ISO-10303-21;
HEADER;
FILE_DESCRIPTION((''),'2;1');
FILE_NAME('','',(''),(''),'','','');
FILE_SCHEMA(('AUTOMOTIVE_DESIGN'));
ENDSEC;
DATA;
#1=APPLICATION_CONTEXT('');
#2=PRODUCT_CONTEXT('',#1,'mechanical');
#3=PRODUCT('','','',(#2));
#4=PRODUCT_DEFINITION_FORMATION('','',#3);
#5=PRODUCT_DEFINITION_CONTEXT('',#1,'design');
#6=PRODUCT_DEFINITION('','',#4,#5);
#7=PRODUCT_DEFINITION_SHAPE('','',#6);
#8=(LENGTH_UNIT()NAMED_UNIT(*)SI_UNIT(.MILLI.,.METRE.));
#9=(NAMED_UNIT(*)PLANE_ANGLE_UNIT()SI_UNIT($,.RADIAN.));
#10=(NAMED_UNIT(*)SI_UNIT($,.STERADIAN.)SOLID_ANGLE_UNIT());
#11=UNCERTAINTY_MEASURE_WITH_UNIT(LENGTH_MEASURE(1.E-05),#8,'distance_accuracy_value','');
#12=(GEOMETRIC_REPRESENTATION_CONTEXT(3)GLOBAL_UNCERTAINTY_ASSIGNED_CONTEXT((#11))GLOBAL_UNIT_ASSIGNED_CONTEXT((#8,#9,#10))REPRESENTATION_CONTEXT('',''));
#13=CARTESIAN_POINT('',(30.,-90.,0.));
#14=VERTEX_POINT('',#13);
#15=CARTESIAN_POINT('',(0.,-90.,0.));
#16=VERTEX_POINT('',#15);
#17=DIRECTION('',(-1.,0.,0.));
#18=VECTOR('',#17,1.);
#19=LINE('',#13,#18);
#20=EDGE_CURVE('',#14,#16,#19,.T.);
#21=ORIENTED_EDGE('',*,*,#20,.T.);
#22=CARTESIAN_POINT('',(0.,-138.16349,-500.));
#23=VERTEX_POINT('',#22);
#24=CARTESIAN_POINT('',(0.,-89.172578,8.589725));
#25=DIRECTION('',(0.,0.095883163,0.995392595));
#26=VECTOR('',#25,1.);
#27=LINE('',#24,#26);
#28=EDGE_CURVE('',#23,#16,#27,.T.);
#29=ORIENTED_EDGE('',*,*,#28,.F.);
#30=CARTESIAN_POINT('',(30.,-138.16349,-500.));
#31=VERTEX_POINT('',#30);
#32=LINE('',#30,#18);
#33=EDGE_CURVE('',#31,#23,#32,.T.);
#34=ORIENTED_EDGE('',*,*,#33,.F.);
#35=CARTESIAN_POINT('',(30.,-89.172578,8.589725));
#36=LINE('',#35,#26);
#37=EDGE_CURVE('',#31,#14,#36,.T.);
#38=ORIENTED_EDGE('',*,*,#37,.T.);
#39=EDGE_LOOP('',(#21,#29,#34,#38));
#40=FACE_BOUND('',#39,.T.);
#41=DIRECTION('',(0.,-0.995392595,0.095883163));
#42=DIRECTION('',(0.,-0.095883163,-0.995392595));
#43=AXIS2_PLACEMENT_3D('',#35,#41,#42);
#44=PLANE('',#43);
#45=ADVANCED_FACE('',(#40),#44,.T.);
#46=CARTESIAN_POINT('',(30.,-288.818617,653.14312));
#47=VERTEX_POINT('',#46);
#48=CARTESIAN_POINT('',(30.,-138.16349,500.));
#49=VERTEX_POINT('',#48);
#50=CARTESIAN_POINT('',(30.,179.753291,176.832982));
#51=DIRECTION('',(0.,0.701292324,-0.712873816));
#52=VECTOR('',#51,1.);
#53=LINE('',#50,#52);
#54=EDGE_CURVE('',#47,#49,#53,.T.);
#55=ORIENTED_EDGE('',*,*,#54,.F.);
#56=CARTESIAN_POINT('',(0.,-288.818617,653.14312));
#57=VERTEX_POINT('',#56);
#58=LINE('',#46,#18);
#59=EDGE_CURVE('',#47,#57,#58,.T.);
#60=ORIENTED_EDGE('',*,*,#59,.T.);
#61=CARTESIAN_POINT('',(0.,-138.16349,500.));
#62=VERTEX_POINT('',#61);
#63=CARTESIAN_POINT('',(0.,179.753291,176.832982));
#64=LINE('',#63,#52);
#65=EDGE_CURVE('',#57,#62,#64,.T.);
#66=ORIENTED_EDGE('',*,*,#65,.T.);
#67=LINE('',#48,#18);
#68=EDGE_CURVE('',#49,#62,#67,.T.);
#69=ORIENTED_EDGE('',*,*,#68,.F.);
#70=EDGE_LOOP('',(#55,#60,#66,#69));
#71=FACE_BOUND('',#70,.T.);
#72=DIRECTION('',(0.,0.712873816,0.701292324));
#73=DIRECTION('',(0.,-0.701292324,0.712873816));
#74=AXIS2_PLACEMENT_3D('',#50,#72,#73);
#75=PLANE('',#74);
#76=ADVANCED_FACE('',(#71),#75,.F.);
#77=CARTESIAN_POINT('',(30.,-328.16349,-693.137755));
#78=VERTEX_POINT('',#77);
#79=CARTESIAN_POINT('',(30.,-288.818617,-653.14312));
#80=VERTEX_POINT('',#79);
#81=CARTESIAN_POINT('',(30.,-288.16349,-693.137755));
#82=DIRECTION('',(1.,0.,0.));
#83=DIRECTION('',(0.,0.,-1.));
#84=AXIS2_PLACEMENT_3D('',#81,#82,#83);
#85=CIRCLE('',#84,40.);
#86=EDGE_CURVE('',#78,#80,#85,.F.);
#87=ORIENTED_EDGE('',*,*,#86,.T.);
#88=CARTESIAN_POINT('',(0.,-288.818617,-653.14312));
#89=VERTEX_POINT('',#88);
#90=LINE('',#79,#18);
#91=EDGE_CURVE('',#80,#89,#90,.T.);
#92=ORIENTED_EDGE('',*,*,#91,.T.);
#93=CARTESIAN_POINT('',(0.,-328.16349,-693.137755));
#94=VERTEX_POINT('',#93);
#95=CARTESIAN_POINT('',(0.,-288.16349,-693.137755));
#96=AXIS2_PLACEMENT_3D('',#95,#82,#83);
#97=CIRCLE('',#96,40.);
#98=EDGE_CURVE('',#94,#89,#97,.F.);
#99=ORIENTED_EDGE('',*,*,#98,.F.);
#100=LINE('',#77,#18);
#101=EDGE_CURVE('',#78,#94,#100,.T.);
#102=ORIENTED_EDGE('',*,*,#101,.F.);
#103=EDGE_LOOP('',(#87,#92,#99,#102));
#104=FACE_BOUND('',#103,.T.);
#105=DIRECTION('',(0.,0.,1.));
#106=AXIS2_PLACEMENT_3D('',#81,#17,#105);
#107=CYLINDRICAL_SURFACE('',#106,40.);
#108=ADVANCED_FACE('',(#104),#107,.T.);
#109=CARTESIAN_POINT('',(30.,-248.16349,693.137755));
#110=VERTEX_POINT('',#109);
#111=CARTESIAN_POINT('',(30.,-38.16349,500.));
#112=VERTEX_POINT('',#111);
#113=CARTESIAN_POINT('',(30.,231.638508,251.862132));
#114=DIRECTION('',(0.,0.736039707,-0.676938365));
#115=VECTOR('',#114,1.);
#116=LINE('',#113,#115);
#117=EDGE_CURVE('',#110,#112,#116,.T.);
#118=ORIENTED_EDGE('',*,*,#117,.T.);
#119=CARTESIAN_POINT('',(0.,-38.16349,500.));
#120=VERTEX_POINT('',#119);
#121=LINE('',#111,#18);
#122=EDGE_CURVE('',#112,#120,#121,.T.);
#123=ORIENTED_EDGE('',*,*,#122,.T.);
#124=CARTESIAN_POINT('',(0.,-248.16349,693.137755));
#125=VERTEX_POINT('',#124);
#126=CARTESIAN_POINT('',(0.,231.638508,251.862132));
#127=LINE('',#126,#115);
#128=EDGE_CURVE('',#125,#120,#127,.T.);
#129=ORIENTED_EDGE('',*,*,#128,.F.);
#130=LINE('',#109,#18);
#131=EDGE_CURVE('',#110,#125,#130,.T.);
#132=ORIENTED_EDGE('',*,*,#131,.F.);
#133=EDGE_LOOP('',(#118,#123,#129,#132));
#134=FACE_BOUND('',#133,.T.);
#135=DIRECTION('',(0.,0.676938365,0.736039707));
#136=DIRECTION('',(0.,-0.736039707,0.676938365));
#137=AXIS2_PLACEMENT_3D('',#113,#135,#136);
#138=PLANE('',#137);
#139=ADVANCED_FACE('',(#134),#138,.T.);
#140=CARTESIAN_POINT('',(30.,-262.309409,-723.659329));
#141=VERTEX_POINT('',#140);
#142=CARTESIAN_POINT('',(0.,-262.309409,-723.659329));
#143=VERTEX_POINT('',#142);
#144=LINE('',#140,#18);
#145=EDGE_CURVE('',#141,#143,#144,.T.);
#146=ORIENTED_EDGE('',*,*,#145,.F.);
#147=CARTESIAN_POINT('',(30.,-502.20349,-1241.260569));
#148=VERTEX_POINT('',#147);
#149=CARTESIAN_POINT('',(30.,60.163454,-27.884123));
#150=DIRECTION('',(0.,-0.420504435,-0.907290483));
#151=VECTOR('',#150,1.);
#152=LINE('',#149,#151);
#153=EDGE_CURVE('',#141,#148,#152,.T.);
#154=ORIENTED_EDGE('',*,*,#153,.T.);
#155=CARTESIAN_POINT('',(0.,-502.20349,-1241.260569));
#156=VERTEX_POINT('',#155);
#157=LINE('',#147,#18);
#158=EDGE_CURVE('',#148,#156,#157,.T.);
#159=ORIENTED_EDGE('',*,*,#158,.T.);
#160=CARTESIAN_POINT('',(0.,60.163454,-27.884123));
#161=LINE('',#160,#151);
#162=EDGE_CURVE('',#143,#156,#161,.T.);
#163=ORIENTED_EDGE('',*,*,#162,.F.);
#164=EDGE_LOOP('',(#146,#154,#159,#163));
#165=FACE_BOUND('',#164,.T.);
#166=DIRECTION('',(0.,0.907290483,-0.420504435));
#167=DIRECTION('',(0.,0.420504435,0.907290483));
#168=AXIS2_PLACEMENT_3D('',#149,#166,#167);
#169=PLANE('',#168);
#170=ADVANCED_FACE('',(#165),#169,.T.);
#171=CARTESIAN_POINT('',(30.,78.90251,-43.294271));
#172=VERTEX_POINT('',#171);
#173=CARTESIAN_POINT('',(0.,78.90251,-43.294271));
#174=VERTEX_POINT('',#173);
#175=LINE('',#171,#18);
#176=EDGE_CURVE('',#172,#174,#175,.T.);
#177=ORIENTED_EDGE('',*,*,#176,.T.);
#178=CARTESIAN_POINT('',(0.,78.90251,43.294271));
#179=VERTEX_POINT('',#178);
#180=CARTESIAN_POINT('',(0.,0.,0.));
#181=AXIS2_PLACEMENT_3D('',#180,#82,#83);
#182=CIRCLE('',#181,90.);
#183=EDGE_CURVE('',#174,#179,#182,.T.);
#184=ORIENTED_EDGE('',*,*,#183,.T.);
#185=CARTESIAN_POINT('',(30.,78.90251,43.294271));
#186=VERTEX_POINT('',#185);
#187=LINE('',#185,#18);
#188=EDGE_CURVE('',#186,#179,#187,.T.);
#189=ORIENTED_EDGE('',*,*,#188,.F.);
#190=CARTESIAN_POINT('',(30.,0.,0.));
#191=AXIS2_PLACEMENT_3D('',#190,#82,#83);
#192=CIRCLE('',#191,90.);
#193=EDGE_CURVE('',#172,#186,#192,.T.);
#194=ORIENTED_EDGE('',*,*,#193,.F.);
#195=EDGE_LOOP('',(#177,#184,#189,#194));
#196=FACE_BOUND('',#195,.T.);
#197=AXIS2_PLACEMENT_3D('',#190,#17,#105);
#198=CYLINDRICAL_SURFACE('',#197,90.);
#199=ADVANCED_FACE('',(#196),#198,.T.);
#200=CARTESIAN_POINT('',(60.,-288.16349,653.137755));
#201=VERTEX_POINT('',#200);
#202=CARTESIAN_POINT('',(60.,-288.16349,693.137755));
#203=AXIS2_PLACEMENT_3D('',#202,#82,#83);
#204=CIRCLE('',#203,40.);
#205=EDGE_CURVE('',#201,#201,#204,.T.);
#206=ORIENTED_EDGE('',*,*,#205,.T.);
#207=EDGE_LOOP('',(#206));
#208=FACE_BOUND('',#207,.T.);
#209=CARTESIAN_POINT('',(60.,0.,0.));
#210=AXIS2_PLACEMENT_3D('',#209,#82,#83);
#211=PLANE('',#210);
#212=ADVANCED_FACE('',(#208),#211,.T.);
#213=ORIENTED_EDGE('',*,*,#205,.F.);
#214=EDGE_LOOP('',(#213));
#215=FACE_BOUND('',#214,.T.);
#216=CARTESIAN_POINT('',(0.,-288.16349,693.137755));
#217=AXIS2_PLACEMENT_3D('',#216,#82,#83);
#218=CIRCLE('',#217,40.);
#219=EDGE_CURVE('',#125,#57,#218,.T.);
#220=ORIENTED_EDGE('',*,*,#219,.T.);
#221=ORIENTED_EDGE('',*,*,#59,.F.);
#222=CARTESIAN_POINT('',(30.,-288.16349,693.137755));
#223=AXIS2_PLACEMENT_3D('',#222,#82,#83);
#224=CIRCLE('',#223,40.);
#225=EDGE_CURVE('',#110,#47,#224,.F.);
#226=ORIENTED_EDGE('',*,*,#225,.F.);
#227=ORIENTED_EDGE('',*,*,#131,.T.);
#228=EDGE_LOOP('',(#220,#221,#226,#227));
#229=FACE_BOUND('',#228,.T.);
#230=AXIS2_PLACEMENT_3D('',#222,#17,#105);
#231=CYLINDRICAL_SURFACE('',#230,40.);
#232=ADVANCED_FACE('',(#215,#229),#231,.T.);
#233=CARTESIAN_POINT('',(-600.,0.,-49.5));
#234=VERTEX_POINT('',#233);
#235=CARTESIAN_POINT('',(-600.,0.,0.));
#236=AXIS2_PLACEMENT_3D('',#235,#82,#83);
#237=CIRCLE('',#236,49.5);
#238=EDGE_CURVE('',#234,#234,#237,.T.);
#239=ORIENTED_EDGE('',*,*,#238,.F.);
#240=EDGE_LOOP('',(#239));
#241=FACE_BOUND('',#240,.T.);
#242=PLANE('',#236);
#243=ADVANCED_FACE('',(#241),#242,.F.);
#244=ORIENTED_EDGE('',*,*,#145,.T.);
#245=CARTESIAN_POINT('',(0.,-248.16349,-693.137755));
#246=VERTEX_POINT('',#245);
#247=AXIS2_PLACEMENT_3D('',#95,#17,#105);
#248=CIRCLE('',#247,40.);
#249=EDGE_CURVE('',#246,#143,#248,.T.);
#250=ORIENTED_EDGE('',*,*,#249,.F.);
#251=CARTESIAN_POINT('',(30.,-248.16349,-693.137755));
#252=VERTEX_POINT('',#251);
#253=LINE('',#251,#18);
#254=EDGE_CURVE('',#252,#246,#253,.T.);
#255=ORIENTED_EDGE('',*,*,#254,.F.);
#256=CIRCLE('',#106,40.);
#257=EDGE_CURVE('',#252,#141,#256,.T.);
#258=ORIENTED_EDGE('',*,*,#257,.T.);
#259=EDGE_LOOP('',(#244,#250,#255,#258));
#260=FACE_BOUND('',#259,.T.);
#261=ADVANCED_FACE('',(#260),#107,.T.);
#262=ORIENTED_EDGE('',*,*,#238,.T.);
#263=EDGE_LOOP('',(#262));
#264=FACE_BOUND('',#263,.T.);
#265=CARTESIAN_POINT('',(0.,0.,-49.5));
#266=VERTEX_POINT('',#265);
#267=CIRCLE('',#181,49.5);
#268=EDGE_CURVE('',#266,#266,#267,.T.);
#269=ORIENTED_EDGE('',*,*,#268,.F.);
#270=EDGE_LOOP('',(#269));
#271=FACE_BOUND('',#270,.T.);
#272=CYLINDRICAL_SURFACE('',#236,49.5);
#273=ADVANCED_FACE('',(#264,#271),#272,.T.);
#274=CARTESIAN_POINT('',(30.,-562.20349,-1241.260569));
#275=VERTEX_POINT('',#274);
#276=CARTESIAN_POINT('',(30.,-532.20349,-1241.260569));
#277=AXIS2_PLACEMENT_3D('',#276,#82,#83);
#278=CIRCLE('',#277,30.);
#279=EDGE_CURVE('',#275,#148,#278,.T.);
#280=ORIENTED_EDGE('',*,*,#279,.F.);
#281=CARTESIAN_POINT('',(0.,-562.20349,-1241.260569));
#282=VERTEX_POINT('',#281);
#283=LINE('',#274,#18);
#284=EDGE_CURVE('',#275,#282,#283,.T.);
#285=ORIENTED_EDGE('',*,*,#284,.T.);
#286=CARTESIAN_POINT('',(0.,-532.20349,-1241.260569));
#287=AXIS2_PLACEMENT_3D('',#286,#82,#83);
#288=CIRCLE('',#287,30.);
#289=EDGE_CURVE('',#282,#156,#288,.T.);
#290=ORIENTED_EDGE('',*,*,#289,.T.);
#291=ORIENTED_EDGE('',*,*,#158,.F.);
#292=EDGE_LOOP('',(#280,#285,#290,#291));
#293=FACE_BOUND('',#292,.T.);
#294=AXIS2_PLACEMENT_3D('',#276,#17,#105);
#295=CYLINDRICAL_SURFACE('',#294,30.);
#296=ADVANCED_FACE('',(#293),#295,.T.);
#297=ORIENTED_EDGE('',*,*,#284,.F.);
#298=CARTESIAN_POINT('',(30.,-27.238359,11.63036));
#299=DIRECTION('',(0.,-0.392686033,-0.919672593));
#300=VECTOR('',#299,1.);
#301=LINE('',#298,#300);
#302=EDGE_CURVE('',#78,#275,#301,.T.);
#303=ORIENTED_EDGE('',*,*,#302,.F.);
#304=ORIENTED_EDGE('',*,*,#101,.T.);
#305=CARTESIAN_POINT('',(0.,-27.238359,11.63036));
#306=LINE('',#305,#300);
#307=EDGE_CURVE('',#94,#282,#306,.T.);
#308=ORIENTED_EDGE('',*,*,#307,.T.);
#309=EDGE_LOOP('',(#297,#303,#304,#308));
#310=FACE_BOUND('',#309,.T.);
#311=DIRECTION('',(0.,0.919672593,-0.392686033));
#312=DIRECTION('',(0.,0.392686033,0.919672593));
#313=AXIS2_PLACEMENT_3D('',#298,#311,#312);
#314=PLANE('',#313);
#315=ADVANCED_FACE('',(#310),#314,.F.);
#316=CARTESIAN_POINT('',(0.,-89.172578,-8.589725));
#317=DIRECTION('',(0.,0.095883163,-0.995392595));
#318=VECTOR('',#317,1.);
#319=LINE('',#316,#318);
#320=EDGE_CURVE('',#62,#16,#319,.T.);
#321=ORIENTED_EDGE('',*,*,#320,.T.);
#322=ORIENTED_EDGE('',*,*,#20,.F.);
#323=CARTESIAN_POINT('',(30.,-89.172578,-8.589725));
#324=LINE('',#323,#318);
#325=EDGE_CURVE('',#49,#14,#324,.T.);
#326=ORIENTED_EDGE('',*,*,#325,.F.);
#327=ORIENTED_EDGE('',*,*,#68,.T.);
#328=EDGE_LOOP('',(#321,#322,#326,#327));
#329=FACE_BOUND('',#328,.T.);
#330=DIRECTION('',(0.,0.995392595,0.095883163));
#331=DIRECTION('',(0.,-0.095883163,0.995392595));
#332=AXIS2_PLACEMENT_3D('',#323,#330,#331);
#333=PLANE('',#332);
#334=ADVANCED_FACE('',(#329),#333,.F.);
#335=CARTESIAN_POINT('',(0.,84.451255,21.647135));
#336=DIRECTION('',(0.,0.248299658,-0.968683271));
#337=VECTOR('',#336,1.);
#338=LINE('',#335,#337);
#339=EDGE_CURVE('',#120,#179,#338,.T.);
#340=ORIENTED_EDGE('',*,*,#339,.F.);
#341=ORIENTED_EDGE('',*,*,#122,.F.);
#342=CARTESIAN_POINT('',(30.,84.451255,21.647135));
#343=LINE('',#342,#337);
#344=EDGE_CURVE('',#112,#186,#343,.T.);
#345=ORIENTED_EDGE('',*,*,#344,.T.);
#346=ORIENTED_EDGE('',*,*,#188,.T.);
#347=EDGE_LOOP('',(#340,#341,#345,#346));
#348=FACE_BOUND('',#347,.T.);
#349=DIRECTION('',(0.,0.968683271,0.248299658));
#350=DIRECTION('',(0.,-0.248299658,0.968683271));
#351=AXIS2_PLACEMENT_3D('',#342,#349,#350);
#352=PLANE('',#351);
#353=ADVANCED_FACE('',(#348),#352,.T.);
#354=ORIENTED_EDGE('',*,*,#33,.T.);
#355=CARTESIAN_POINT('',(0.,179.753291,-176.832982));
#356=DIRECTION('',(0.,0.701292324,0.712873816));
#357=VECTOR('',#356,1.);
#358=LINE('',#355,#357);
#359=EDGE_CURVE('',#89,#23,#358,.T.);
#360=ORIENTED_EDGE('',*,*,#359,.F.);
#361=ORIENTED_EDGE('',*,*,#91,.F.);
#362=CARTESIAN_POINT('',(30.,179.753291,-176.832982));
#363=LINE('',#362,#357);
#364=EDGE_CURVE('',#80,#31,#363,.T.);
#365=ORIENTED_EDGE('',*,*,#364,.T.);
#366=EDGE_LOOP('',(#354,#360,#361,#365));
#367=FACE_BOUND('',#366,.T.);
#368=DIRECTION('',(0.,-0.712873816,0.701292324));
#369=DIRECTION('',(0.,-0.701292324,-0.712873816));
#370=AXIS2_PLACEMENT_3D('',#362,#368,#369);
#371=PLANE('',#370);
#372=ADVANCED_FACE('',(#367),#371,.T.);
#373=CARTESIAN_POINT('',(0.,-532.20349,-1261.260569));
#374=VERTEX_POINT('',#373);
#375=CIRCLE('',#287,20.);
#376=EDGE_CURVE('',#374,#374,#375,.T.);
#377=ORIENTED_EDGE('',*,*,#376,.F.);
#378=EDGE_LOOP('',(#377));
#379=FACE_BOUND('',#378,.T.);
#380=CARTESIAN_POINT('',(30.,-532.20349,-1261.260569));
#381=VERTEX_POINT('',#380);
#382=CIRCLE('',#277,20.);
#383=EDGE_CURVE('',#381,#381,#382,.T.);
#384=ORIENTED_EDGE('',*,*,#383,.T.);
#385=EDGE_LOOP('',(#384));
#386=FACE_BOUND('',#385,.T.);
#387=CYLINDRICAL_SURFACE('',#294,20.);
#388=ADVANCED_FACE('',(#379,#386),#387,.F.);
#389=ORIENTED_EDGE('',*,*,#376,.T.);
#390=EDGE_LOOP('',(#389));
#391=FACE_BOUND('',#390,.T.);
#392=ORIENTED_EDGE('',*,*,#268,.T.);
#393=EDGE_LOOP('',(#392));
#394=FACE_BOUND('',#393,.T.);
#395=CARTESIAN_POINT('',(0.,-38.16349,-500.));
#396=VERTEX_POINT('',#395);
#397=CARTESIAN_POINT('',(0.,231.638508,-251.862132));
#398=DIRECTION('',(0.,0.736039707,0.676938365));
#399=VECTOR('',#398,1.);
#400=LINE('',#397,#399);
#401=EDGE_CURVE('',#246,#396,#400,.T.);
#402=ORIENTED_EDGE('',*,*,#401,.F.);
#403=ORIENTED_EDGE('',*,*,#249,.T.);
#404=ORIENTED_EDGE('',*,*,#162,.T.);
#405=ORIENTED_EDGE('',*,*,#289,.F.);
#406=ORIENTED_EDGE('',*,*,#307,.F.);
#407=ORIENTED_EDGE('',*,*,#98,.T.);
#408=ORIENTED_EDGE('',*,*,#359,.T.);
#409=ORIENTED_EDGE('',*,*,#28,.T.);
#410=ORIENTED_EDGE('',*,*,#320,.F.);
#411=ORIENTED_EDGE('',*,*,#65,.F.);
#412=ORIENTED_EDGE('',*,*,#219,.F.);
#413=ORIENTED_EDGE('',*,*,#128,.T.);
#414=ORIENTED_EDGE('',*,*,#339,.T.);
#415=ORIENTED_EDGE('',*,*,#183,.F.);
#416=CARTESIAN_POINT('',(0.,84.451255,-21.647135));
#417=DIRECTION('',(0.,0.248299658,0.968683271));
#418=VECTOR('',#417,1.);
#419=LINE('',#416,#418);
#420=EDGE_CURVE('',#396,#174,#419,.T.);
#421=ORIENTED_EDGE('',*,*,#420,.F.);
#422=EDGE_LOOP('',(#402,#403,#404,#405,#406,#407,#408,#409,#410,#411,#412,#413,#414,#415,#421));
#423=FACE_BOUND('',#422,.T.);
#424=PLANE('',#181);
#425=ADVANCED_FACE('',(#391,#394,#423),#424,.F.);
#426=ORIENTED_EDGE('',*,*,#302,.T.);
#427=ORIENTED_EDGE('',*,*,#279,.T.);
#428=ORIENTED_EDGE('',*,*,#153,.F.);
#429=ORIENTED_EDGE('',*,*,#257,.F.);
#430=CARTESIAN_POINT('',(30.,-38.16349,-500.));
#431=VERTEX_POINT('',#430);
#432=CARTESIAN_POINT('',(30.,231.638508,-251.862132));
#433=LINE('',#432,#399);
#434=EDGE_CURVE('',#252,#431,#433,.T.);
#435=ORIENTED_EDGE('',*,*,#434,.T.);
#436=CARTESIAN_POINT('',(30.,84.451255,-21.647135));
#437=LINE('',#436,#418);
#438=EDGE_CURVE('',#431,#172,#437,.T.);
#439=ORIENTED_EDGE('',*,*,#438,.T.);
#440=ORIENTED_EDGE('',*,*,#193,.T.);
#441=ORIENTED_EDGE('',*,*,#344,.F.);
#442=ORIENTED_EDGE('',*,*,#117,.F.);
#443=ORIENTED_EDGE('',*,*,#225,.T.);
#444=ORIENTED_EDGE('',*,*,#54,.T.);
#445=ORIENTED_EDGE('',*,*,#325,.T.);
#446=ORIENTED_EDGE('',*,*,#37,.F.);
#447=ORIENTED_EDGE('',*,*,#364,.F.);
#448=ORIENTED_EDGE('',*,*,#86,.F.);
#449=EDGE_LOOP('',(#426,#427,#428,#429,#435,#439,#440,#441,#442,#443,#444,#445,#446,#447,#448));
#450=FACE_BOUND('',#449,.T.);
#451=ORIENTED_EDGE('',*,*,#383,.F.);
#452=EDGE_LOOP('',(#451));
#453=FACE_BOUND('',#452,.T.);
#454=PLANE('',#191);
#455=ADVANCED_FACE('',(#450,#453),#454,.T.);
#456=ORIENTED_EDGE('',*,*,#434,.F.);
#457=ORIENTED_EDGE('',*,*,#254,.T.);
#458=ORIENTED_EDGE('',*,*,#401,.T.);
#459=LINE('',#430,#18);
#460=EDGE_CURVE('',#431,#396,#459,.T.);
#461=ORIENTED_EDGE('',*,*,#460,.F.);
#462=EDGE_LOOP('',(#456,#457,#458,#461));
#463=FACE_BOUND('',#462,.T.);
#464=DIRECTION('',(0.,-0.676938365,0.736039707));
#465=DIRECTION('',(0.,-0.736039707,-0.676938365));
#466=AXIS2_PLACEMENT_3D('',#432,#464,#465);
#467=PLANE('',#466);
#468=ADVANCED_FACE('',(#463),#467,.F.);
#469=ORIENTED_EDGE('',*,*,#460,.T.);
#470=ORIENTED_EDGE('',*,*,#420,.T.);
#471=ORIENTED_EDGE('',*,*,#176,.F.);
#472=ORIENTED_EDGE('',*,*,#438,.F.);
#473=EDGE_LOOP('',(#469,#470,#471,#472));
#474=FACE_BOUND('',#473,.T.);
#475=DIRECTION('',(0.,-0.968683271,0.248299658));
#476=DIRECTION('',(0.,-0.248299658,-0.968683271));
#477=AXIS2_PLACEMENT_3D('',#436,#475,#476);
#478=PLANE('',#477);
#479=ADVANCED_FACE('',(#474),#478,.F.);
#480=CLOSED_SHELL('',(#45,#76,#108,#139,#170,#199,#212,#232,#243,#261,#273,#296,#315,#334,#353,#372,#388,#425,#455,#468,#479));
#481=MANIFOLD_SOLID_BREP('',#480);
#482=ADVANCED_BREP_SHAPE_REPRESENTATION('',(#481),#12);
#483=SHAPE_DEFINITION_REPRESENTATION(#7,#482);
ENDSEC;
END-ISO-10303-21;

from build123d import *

# Parameters (mm, degrees)
SKETCH1_R           = 20
BOSS_EXTRUDE1_DEPTH = 30
SKETCH1_3_R         = 40
BOSS_EXTRUDE2_DEPTH = 60
SKETCH1_4_R         = 49.5
BOSS_EXTRUDE3_DEPTH = 600


with BuildPart() as part:
    # Sketch1 → Boss-Extrude1 (new body)
    with BuildSketch(Plane(origin=(0, 0, 0), x_dir=(0, 0, -1), z_dir=(1, 0, 0))):
        with BuildLine():
            Line((-500, -38.163490354), (-693.137754961, -248.163490354))
            ThreePointArc((-693.137754961, -248.163490354), (-721.652707583, -316.215183298), (-653.1431202, -288.818616504))
            Line((-653.1431202, -288.818616504), (-500, -138.163490354))
            Line((-500, -138.163490354), (0, -90))
            Line((0, -90), (500, -138.163490354))
            Line((500, -138.163490354), (653.1431202, -288.818616504))
            ThreePointArc((653.1431202, -288.818616504), (665.086062018, -316.678442975), (693.137754961, -328.163490354))
            Line((693.137754961, -328.163490354), (1241.260569265, -562.203490354))
            ThreePointArc((1241.260569265, -562.203490354), (1271.260569265, -532.203490354), (1241.260569265, -502.203490354))
            Line((1241.260569265, -502.203490354), (723.659328701, -262.309408733))
            ThreePointArc((723.659328701, -262.309408733), (709.957932356, -251.87187104), (693.137754961, -248.163490354))
            Line((693.137754961, -248.163490354), (500, -38.163490354))
            Line((500, -38.163490354), (43.294270514, 78.902510357))
            ThreePointArc((43.294270514, 78.902510357), (0, 90), (-43.294270514, 78.902510357))
            Line((-43.294270514, 78.902510357), (-500, -38.163490354))
        make_face()
        with Locations((1241.260569265, -532.203490354)):
            Circle(SKETCH1_R, mode=Mode.SUBTRACT)
    extrude(amount=BOSS_EXTRUDE1_DEPTH)

    # Sketch1<3> → Boss-Extrude2 (add)
    with BuildSketch(Plane(origin=(0, 0, 0), x_dir=(0, 0, -1), z_dir=(1, 0, 0))):
        with Locations((-693.137754961, -288.163490354)):
            Circle(SKETCH1_3_R)
    extrude(amount=BOSS_EXTRUDE2_DEPTH)

    # Sketch1<4> → Boss-Extrude3 (add)
    with BuildSketch(Plane(origin=(0, 0, 0), x_dir=(0, 0, -1), z_dir=(1, 0, 0))):
        Circle(SKETCH1_4_R)
    extrude(amount=-BOSS_EXTRUDE3_DEPTH)


solid = part.part
